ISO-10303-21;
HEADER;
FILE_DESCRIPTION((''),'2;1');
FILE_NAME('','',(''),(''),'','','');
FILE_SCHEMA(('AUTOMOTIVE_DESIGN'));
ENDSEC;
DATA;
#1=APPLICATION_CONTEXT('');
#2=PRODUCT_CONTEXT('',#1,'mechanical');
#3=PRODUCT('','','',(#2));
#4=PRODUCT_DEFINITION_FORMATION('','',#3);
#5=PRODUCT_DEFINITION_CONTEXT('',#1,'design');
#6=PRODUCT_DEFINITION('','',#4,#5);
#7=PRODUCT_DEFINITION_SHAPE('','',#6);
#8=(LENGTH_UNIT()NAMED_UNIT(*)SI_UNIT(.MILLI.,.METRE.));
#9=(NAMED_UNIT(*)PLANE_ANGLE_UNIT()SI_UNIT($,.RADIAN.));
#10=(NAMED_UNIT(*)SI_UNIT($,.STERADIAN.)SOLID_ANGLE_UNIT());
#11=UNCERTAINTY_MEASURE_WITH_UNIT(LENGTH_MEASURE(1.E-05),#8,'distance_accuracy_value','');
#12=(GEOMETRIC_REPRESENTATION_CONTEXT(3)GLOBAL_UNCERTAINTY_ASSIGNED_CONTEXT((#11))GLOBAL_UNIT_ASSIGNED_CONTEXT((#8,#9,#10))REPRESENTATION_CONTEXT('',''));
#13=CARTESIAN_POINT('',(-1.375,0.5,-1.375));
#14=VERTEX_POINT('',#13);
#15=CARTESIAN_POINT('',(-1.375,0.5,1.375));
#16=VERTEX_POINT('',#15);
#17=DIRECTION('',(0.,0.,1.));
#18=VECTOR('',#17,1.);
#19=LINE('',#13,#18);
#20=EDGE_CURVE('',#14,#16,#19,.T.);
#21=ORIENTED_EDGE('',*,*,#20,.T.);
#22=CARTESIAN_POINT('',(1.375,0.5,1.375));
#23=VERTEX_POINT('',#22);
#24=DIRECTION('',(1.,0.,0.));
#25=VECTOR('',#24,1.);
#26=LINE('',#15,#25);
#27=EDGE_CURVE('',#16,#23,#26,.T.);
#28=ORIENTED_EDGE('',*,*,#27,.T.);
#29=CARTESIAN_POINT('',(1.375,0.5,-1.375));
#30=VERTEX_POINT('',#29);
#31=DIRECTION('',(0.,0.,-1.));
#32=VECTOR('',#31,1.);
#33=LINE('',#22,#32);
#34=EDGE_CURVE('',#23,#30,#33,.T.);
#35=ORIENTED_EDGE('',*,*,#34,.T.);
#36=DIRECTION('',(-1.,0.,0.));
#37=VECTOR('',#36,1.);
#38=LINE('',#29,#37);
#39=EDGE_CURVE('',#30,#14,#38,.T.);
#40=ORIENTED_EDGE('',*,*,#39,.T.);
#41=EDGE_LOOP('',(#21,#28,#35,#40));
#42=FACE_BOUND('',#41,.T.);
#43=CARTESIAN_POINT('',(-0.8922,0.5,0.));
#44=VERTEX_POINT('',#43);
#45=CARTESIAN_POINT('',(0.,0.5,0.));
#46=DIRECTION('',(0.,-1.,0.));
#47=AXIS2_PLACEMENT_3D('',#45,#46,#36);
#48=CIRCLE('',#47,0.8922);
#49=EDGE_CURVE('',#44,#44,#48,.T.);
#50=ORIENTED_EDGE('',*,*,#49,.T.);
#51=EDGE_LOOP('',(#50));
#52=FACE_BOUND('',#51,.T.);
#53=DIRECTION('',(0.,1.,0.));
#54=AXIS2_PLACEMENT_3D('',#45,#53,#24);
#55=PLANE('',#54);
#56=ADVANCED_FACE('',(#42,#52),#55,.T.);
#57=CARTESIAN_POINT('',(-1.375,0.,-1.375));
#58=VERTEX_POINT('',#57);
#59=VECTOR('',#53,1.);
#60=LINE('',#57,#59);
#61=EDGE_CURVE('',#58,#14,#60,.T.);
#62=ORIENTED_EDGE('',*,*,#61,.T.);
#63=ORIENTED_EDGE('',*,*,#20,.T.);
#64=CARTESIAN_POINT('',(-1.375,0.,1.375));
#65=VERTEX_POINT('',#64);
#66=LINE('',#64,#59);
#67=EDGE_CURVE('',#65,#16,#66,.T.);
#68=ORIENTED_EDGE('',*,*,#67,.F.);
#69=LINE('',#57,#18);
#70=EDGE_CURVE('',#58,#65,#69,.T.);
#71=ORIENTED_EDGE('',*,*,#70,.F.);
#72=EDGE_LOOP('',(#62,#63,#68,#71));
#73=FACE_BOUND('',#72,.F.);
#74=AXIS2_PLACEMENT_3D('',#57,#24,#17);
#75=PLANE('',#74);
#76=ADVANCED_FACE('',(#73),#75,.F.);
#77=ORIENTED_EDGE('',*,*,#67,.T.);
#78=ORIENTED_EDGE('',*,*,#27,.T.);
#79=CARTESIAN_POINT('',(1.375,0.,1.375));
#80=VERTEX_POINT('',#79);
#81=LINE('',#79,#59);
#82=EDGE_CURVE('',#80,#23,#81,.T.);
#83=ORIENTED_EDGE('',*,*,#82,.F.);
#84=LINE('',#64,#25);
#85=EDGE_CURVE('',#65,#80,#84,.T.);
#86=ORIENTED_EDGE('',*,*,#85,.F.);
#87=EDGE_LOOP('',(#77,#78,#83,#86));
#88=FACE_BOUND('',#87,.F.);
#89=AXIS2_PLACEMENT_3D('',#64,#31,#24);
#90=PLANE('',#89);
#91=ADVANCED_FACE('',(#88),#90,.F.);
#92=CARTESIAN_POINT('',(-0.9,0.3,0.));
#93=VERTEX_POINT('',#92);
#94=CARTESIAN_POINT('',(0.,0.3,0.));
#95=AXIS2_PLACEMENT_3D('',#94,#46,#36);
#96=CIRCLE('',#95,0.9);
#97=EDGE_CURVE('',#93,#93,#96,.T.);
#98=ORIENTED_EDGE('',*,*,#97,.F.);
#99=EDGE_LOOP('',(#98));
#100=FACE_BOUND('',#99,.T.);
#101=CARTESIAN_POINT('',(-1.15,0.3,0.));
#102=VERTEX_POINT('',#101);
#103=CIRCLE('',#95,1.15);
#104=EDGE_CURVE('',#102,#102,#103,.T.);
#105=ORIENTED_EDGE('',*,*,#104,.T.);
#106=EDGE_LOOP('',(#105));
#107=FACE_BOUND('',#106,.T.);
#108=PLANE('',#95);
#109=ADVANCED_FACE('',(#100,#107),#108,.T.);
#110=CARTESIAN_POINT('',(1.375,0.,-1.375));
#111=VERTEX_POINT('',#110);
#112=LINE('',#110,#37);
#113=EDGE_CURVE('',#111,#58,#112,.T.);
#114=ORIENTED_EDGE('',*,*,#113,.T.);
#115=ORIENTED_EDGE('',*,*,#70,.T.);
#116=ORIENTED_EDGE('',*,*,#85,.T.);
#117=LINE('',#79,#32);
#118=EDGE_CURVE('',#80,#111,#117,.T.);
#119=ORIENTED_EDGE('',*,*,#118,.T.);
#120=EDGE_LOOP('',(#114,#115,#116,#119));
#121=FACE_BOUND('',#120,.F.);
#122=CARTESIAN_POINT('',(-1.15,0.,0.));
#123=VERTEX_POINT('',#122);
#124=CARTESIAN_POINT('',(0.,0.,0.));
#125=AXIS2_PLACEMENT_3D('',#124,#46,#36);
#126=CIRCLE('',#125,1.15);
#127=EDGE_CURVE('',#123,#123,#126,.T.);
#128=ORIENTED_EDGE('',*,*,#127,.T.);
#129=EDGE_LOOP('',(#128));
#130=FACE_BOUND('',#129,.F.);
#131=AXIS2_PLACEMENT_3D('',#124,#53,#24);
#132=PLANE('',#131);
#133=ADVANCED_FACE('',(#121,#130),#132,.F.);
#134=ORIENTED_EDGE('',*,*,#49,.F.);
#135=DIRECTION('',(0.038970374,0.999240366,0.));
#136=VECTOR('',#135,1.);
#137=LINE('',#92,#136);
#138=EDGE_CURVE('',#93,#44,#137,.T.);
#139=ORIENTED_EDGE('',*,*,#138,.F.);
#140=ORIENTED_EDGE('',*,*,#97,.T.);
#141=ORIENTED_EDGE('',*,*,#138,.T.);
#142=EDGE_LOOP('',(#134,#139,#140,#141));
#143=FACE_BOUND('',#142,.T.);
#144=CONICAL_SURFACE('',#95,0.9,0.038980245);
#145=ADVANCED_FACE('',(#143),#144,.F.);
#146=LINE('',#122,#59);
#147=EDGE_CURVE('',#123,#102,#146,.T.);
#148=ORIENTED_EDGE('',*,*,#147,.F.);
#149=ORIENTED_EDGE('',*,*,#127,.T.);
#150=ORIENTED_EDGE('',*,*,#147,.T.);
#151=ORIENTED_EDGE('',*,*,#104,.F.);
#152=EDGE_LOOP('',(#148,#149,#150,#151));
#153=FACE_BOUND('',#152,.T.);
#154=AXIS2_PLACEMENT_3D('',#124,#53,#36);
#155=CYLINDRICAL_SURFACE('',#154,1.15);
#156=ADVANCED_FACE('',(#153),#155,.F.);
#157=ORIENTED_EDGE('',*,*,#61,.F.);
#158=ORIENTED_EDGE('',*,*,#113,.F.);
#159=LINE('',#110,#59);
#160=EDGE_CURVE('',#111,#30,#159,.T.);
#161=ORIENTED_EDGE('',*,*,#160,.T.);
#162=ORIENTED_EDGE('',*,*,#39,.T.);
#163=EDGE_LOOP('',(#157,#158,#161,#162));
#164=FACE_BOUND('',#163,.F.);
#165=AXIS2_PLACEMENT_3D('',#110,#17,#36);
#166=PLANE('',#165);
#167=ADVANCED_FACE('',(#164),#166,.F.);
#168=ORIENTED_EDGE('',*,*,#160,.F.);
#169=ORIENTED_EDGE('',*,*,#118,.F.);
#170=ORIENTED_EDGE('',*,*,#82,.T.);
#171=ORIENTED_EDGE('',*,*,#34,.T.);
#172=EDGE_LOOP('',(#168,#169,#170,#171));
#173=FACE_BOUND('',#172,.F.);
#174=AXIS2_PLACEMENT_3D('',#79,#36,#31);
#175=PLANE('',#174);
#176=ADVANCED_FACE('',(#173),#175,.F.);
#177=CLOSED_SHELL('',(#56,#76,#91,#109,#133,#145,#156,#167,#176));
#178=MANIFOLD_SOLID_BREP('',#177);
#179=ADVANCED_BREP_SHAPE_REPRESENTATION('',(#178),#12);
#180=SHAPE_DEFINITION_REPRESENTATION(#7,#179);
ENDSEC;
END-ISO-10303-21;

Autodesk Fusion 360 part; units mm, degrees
sketch "Sketch1" plane through (0, 0, 0) normal (0, 1, 0) x (1, 0, 0)
  line L0 (-1.375, -1.375) -> (1.375, -1.375)
  line L1 (1.375, -1.375) -> (1.375, 1.375)
  line L2 (1.375, 1.375) -> (-1.375, 1.375)
  line L3 (-1.375, 1.375) -> (-1.375, -1.375)
  line L4 (-1.375, -1.375) -> (1.375, 1.375) construction
  line L5 (1.375, -1.375) -> (-1.375, 1.375) construction
  dimension "d1" = 2.75
  dimension "d2" = 2.75
extrude "Extrude1" add sketch "Sketch1" along normal blind 0.5
ref_plane "WorkPlane1" through (0, 0.25, 0) normal (0, 0, 1) x (1, 0, 0)
sketch "Sketch2" plane through (0, 0.25, 0) normal (0, 0, 1) x (1, 0, 0)
  line L0 (-1.375, -0.25) -> (1.375, -0.25)
  line L1 (0, -0.25) -> (-1.15, -0.25)
  line L2 (-1.375, 0.25) -> (1.375, 0.25)
  line L3 (0, 0.25) -> (0, -0.25)
  line L4 (-1.15, -0.25) -> (-1.15, 0.05)
  line L5 (-1.15, 0.05) -> (-0.9, 0.05)
  line L6 (-0.9, 0.05) -> (-0.8922, 0.25)
  dimension "d5" = 1.15
  dimension "d6" = 0.3
  dimension "d7" = 0.25
sketch "Sketch3" plane through (0, 0, 0) normal (0, 0, 1) x (1, 0, 0)
revolve "Revolve1" cut sketch "Sketch2" angle 360 about axis through (0, 0.5, 0) along (0, -1, 0)
